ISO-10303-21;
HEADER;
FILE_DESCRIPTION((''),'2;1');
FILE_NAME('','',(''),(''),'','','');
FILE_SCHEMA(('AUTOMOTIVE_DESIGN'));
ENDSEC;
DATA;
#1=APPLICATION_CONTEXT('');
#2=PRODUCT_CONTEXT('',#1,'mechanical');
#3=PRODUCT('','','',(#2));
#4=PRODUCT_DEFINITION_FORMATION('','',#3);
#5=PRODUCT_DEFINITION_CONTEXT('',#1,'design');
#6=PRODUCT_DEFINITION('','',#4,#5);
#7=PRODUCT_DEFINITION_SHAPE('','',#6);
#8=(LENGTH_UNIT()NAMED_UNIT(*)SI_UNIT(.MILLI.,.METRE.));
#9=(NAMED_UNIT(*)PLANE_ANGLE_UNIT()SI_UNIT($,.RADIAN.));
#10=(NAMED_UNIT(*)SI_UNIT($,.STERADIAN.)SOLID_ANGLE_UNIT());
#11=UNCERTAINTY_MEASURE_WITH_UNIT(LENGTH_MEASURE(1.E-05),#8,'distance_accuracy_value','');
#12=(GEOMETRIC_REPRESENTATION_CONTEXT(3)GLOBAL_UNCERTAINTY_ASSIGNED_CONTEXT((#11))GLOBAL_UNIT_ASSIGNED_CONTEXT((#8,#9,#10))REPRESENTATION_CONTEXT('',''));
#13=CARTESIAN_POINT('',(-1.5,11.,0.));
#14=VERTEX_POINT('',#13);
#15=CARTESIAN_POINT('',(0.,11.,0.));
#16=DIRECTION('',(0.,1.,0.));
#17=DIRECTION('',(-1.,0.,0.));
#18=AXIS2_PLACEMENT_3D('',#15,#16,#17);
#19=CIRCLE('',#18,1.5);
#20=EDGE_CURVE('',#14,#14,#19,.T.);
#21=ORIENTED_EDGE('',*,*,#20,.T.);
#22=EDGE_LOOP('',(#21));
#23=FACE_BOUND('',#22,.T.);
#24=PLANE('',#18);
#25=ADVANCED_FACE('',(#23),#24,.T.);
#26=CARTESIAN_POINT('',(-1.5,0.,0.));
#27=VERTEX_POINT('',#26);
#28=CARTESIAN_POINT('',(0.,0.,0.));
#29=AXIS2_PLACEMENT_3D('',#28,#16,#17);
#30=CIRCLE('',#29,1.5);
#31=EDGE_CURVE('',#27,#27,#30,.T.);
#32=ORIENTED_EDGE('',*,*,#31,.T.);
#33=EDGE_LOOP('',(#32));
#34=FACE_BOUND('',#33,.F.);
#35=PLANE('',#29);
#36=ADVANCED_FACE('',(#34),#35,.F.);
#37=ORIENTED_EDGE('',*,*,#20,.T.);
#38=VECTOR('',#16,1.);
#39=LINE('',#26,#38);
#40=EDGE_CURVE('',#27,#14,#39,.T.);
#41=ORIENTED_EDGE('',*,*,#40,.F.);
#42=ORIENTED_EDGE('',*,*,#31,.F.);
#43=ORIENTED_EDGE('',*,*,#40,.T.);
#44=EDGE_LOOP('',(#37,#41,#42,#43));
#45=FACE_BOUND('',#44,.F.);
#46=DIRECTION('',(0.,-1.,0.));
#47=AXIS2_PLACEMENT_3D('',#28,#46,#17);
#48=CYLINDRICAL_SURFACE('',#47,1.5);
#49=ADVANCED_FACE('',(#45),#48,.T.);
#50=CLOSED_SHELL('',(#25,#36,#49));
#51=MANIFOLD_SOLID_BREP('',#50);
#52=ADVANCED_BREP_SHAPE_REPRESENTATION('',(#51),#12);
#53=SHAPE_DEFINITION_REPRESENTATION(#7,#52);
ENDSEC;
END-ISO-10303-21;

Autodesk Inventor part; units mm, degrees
ref_plane "YZ Plane" through (0, 0, 0) normal (1, 0, 0) x (0, 1, 0)
ref_plane "XZ Plane" through (0, 0, 0) normal (0, 1, 0) x (-1, 0, 0)
ref_plane "XY Plane" through (0, 0, 0) normal (0, 0, 1) x (1, 0, 0)
sketch "Sketch1" plane through (0, 0, 0) normal (0, 1, 0) x (-1, 0, 0)
  circle A0 centre (0, 0) radius 1.5
  dimension "d0" = 3
extrude "Extrusion1" add sketch "Sketch1" along normal blind 11
properties part number "Blue" material "Glass"
